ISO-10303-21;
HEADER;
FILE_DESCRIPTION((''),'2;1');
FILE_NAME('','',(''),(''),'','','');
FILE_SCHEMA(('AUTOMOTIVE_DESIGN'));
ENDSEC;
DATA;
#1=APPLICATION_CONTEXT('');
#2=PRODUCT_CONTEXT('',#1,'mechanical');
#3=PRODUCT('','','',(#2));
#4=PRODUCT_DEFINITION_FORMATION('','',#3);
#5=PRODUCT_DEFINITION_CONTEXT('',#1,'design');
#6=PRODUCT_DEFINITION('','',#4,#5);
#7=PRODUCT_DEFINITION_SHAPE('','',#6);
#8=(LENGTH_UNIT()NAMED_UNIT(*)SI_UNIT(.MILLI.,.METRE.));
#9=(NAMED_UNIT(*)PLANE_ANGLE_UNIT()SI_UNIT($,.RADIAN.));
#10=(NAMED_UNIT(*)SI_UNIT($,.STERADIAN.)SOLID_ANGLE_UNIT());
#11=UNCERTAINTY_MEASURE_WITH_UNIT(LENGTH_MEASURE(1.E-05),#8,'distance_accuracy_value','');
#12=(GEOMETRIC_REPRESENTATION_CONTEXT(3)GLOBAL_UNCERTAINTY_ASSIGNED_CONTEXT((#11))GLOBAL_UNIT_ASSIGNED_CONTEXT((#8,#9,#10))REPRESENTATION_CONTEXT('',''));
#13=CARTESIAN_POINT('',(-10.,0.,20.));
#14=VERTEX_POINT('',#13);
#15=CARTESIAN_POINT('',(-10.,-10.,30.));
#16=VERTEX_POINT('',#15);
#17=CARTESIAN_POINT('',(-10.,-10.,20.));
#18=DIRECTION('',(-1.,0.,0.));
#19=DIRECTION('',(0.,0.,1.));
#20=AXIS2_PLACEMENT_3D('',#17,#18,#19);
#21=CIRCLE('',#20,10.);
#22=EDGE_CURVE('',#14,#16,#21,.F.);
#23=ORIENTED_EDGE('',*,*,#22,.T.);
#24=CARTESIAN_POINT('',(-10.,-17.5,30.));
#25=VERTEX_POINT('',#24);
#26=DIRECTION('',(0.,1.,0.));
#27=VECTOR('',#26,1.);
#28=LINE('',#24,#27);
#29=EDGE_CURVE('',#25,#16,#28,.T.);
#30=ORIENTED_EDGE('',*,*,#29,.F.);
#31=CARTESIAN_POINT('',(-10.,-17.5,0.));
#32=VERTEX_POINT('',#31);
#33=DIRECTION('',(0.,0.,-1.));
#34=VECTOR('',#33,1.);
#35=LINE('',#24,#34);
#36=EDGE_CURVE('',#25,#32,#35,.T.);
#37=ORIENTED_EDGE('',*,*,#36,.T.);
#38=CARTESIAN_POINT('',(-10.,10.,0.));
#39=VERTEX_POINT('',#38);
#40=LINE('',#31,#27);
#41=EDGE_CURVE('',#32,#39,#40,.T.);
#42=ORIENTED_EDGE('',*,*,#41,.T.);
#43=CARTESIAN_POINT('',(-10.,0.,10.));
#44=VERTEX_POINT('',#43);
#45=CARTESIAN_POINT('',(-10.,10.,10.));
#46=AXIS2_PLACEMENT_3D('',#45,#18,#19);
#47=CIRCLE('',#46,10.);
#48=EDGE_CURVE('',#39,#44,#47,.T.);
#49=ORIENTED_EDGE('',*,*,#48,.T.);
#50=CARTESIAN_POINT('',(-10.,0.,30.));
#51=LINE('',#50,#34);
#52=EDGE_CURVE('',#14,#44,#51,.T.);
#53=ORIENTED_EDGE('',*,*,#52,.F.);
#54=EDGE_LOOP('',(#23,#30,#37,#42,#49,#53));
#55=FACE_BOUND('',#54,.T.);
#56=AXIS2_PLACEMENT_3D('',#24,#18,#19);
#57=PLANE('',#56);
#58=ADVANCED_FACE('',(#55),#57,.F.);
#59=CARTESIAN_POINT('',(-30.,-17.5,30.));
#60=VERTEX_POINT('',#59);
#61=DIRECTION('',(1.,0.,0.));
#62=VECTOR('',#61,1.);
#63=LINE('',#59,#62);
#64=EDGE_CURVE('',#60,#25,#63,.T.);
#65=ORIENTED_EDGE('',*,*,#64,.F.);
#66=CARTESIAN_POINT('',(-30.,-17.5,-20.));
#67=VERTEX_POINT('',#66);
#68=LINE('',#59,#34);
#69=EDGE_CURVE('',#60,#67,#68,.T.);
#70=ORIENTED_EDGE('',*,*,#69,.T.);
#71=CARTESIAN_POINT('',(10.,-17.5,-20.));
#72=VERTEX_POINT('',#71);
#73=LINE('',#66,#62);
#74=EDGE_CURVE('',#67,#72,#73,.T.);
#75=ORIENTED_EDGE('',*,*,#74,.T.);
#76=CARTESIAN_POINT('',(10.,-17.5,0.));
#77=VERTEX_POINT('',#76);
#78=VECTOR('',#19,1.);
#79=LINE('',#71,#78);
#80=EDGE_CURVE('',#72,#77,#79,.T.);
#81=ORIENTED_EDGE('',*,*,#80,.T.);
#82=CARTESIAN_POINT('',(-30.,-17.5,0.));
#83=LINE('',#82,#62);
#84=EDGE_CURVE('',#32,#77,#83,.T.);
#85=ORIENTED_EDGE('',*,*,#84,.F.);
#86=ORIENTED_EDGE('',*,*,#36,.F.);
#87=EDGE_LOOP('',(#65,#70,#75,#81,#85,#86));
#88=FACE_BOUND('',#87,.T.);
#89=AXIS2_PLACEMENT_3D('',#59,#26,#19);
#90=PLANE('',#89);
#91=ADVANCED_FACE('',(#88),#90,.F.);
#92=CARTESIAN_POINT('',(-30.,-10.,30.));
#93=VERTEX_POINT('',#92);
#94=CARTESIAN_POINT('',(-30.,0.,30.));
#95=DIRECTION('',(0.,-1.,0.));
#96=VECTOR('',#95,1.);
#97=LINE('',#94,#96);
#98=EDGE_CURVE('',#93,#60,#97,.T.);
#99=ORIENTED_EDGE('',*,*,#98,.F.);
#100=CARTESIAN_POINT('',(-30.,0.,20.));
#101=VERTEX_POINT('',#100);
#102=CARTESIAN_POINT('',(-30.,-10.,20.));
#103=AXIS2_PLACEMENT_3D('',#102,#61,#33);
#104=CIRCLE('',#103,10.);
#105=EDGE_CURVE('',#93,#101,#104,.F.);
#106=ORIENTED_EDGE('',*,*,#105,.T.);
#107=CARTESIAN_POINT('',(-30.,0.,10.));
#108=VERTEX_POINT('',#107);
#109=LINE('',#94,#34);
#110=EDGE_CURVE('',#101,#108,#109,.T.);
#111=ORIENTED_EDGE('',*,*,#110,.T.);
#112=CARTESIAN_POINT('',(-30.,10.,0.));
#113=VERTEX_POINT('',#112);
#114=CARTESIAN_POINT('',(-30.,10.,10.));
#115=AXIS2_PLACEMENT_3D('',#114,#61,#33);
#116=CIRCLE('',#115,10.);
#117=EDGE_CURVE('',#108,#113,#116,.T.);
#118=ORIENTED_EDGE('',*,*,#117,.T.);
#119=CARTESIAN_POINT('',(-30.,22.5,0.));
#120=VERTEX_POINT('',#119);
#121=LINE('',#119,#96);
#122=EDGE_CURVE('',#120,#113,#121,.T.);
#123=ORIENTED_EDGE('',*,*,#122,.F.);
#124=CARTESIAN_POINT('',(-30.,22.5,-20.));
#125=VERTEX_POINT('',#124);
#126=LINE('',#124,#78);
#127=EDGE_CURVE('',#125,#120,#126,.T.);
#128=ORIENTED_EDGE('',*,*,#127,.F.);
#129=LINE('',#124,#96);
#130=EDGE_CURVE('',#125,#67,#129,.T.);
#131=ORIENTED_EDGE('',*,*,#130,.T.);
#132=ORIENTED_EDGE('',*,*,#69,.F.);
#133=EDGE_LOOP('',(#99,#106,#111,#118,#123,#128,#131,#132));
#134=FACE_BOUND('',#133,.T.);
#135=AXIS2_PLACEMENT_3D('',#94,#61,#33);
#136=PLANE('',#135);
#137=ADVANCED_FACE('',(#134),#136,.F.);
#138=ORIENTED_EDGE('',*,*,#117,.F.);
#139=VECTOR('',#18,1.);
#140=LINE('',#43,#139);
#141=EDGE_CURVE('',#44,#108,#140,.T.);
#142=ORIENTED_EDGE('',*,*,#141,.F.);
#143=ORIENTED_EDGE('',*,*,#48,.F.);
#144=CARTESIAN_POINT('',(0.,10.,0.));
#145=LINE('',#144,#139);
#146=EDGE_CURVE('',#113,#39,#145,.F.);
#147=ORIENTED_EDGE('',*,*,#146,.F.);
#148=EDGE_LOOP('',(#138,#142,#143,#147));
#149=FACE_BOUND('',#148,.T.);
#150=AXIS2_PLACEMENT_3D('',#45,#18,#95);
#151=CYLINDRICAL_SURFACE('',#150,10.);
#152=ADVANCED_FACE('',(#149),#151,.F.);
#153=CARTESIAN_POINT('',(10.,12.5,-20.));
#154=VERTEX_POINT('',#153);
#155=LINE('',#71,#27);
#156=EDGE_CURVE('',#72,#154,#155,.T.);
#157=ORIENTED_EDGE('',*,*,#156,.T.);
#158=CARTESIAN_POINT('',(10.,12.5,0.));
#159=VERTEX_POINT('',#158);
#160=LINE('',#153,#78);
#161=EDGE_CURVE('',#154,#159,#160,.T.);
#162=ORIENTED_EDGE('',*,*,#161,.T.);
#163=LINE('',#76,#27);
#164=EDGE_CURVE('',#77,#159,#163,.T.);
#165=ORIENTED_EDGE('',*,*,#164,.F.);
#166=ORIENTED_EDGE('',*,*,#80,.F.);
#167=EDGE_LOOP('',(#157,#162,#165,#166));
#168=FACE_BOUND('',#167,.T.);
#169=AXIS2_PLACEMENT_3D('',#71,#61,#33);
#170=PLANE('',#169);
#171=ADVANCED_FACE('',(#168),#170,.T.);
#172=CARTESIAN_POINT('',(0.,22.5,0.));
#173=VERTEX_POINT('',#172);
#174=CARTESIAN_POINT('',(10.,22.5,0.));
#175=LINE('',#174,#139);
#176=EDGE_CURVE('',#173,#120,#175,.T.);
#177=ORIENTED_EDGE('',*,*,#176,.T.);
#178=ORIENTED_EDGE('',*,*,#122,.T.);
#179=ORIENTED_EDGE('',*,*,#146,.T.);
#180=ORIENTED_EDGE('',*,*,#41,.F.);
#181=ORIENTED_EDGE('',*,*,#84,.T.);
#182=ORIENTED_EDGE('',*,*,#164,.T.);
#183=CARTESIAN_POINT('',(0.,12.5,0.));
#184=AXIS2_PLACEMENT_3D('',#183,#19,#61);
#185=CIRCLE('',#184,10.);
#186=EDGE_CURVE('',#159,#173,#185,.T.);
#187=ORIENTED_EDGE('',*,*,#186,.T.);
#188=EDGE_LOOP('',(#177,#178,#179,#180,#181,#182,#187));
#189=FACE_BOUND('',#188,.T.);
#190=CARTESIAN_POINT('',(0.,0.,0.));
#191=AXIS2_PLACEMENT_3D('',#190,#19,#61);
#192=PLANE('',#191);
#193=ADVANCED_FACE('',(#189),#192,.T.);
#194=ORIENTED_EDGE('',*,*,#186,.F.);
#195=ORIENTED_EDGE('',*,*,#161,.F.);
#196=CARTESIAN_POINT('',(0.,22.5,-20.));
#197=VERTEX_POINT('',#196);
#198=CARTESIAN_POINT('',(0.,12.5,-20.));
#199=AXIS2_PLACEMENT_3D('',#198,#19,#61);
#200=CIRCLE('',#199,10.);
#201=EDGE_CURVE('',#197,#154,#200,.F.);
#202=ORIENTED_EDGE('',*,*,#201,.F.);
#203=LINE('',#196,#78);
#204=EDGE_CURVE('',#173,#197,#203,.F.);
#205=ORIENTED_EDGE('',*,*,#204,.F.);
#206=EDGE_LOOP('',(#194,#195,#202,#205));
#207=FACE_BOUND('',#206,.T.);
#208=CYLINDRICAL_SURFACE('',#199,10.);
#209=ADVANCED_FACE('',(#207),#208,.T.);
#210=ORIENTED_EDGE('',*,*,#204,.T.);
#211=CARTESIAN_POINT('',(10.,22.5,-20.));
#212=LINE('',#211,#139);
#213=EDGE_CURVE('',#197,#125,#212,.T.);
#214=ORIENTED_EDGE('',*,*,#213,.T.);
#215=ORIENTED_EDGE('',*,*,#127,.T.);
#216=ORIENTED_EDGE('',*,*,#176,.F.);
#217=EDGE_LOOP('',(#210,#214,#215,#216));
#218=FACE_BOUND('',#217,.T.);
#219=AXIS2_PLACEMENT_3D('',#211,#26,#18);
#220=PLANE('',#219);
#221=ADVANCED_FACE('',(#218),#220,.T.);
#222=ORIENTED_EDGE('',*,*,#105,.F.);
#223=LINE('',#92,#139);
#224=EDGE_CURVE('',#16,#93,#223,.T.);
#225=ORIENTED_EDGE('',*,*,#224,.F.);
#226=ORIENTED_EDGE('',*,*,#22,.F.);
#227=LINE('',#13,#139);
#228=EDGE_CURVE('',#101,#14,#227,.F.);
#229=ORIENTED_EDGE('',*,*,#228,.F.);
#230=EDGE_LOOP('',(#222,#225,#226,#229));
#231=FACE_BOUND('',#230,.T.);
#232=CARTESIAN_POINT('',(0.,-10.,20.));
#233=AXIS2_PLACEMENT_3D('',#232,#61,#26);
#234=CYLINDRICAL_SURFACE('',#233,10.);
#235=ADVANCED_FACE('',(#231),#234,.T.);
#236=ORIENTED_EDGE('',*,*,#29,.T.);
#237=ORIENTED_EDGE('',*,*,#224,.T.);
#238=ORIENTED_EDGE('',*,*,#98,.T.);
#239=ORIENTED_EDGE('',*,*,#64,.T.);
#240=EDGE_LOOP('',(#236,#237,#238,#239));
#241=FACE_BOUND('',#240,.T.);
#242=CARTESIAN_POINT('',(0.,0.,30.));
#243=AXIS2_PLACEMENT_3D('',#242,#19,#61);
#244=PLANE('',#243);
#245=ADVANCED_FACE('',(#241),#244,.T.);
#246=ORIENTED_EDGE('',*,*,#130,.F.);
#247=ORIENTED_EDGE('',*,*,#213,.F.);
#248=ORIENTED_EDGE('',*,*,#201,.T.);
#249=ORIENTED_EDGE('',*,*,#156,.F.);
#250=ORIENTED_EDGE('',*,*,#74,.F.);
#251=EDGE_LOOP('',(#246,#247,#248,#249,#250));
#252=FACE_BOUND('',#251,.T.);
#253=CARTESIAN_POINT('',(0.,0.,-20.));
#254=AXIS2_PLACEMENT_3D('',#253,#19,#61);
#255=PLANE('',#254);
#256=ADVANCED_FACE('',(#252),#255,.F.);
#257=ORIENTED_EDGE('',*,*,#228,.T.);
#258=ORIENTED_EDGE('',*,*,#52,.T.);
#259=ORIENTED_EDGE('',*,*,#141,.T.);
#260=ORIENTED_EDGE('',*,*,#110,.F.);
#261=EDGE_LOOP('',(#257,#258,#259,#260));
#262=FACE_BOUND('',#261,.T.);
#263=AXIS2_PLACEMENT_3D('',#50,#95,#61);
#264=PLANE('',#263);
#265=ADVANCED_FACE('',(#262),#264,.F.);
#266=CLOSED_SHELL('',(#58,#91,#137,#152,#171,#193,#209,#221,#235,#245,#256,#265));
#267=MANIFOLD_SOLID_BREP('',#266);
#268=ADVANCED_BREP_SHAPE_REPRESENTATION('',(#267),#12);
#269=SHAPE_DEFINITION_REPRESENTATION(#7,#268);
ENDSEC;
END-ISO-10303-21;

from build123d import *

# Parameters (mm, degrees)
SKETCH1_W           = 20
SKETCH1_H           = 17.5
BOSS_EXTRUDE1_DEPTH = 30
SKETCH2_W           = 40
SKETCH2_H           = 40
BOSS_EXTRUDE2_DEPTH = 20
FILLET1_R           = 10


with BuildPart() as part:
    # Sketch1 → Boss-Extrude1 (new body)
    with BuildSketch(Plane.XY):
        with Locations((-20, -8.75)):
            Rectangle(SKETCH1_W, SKETCH1_H)
    extrude(amount=BOSS_EXTRUDE1_DEPTH)

    # Sketch2 → Boss-Extrude2 (add)
    with BuildSketch(Plane.XY):
        with Locations((-10, 2.5)):
            Rectangle(SKETCH2_W, SKETCH2_H)
    extrude(amount=-BOSS_EXTRUDE2_DEPTH)

    # Fillet1
    fillet1_edges = [part.edges().sort_by_distance(p)[0] for p in [
        (10, 22.5, -10),
        (-20, 0, 30),
        (-20, 0, 0),
    ]]
    fillet(fillet1_edges, radius=FILLET1_R)


solid = part.part
